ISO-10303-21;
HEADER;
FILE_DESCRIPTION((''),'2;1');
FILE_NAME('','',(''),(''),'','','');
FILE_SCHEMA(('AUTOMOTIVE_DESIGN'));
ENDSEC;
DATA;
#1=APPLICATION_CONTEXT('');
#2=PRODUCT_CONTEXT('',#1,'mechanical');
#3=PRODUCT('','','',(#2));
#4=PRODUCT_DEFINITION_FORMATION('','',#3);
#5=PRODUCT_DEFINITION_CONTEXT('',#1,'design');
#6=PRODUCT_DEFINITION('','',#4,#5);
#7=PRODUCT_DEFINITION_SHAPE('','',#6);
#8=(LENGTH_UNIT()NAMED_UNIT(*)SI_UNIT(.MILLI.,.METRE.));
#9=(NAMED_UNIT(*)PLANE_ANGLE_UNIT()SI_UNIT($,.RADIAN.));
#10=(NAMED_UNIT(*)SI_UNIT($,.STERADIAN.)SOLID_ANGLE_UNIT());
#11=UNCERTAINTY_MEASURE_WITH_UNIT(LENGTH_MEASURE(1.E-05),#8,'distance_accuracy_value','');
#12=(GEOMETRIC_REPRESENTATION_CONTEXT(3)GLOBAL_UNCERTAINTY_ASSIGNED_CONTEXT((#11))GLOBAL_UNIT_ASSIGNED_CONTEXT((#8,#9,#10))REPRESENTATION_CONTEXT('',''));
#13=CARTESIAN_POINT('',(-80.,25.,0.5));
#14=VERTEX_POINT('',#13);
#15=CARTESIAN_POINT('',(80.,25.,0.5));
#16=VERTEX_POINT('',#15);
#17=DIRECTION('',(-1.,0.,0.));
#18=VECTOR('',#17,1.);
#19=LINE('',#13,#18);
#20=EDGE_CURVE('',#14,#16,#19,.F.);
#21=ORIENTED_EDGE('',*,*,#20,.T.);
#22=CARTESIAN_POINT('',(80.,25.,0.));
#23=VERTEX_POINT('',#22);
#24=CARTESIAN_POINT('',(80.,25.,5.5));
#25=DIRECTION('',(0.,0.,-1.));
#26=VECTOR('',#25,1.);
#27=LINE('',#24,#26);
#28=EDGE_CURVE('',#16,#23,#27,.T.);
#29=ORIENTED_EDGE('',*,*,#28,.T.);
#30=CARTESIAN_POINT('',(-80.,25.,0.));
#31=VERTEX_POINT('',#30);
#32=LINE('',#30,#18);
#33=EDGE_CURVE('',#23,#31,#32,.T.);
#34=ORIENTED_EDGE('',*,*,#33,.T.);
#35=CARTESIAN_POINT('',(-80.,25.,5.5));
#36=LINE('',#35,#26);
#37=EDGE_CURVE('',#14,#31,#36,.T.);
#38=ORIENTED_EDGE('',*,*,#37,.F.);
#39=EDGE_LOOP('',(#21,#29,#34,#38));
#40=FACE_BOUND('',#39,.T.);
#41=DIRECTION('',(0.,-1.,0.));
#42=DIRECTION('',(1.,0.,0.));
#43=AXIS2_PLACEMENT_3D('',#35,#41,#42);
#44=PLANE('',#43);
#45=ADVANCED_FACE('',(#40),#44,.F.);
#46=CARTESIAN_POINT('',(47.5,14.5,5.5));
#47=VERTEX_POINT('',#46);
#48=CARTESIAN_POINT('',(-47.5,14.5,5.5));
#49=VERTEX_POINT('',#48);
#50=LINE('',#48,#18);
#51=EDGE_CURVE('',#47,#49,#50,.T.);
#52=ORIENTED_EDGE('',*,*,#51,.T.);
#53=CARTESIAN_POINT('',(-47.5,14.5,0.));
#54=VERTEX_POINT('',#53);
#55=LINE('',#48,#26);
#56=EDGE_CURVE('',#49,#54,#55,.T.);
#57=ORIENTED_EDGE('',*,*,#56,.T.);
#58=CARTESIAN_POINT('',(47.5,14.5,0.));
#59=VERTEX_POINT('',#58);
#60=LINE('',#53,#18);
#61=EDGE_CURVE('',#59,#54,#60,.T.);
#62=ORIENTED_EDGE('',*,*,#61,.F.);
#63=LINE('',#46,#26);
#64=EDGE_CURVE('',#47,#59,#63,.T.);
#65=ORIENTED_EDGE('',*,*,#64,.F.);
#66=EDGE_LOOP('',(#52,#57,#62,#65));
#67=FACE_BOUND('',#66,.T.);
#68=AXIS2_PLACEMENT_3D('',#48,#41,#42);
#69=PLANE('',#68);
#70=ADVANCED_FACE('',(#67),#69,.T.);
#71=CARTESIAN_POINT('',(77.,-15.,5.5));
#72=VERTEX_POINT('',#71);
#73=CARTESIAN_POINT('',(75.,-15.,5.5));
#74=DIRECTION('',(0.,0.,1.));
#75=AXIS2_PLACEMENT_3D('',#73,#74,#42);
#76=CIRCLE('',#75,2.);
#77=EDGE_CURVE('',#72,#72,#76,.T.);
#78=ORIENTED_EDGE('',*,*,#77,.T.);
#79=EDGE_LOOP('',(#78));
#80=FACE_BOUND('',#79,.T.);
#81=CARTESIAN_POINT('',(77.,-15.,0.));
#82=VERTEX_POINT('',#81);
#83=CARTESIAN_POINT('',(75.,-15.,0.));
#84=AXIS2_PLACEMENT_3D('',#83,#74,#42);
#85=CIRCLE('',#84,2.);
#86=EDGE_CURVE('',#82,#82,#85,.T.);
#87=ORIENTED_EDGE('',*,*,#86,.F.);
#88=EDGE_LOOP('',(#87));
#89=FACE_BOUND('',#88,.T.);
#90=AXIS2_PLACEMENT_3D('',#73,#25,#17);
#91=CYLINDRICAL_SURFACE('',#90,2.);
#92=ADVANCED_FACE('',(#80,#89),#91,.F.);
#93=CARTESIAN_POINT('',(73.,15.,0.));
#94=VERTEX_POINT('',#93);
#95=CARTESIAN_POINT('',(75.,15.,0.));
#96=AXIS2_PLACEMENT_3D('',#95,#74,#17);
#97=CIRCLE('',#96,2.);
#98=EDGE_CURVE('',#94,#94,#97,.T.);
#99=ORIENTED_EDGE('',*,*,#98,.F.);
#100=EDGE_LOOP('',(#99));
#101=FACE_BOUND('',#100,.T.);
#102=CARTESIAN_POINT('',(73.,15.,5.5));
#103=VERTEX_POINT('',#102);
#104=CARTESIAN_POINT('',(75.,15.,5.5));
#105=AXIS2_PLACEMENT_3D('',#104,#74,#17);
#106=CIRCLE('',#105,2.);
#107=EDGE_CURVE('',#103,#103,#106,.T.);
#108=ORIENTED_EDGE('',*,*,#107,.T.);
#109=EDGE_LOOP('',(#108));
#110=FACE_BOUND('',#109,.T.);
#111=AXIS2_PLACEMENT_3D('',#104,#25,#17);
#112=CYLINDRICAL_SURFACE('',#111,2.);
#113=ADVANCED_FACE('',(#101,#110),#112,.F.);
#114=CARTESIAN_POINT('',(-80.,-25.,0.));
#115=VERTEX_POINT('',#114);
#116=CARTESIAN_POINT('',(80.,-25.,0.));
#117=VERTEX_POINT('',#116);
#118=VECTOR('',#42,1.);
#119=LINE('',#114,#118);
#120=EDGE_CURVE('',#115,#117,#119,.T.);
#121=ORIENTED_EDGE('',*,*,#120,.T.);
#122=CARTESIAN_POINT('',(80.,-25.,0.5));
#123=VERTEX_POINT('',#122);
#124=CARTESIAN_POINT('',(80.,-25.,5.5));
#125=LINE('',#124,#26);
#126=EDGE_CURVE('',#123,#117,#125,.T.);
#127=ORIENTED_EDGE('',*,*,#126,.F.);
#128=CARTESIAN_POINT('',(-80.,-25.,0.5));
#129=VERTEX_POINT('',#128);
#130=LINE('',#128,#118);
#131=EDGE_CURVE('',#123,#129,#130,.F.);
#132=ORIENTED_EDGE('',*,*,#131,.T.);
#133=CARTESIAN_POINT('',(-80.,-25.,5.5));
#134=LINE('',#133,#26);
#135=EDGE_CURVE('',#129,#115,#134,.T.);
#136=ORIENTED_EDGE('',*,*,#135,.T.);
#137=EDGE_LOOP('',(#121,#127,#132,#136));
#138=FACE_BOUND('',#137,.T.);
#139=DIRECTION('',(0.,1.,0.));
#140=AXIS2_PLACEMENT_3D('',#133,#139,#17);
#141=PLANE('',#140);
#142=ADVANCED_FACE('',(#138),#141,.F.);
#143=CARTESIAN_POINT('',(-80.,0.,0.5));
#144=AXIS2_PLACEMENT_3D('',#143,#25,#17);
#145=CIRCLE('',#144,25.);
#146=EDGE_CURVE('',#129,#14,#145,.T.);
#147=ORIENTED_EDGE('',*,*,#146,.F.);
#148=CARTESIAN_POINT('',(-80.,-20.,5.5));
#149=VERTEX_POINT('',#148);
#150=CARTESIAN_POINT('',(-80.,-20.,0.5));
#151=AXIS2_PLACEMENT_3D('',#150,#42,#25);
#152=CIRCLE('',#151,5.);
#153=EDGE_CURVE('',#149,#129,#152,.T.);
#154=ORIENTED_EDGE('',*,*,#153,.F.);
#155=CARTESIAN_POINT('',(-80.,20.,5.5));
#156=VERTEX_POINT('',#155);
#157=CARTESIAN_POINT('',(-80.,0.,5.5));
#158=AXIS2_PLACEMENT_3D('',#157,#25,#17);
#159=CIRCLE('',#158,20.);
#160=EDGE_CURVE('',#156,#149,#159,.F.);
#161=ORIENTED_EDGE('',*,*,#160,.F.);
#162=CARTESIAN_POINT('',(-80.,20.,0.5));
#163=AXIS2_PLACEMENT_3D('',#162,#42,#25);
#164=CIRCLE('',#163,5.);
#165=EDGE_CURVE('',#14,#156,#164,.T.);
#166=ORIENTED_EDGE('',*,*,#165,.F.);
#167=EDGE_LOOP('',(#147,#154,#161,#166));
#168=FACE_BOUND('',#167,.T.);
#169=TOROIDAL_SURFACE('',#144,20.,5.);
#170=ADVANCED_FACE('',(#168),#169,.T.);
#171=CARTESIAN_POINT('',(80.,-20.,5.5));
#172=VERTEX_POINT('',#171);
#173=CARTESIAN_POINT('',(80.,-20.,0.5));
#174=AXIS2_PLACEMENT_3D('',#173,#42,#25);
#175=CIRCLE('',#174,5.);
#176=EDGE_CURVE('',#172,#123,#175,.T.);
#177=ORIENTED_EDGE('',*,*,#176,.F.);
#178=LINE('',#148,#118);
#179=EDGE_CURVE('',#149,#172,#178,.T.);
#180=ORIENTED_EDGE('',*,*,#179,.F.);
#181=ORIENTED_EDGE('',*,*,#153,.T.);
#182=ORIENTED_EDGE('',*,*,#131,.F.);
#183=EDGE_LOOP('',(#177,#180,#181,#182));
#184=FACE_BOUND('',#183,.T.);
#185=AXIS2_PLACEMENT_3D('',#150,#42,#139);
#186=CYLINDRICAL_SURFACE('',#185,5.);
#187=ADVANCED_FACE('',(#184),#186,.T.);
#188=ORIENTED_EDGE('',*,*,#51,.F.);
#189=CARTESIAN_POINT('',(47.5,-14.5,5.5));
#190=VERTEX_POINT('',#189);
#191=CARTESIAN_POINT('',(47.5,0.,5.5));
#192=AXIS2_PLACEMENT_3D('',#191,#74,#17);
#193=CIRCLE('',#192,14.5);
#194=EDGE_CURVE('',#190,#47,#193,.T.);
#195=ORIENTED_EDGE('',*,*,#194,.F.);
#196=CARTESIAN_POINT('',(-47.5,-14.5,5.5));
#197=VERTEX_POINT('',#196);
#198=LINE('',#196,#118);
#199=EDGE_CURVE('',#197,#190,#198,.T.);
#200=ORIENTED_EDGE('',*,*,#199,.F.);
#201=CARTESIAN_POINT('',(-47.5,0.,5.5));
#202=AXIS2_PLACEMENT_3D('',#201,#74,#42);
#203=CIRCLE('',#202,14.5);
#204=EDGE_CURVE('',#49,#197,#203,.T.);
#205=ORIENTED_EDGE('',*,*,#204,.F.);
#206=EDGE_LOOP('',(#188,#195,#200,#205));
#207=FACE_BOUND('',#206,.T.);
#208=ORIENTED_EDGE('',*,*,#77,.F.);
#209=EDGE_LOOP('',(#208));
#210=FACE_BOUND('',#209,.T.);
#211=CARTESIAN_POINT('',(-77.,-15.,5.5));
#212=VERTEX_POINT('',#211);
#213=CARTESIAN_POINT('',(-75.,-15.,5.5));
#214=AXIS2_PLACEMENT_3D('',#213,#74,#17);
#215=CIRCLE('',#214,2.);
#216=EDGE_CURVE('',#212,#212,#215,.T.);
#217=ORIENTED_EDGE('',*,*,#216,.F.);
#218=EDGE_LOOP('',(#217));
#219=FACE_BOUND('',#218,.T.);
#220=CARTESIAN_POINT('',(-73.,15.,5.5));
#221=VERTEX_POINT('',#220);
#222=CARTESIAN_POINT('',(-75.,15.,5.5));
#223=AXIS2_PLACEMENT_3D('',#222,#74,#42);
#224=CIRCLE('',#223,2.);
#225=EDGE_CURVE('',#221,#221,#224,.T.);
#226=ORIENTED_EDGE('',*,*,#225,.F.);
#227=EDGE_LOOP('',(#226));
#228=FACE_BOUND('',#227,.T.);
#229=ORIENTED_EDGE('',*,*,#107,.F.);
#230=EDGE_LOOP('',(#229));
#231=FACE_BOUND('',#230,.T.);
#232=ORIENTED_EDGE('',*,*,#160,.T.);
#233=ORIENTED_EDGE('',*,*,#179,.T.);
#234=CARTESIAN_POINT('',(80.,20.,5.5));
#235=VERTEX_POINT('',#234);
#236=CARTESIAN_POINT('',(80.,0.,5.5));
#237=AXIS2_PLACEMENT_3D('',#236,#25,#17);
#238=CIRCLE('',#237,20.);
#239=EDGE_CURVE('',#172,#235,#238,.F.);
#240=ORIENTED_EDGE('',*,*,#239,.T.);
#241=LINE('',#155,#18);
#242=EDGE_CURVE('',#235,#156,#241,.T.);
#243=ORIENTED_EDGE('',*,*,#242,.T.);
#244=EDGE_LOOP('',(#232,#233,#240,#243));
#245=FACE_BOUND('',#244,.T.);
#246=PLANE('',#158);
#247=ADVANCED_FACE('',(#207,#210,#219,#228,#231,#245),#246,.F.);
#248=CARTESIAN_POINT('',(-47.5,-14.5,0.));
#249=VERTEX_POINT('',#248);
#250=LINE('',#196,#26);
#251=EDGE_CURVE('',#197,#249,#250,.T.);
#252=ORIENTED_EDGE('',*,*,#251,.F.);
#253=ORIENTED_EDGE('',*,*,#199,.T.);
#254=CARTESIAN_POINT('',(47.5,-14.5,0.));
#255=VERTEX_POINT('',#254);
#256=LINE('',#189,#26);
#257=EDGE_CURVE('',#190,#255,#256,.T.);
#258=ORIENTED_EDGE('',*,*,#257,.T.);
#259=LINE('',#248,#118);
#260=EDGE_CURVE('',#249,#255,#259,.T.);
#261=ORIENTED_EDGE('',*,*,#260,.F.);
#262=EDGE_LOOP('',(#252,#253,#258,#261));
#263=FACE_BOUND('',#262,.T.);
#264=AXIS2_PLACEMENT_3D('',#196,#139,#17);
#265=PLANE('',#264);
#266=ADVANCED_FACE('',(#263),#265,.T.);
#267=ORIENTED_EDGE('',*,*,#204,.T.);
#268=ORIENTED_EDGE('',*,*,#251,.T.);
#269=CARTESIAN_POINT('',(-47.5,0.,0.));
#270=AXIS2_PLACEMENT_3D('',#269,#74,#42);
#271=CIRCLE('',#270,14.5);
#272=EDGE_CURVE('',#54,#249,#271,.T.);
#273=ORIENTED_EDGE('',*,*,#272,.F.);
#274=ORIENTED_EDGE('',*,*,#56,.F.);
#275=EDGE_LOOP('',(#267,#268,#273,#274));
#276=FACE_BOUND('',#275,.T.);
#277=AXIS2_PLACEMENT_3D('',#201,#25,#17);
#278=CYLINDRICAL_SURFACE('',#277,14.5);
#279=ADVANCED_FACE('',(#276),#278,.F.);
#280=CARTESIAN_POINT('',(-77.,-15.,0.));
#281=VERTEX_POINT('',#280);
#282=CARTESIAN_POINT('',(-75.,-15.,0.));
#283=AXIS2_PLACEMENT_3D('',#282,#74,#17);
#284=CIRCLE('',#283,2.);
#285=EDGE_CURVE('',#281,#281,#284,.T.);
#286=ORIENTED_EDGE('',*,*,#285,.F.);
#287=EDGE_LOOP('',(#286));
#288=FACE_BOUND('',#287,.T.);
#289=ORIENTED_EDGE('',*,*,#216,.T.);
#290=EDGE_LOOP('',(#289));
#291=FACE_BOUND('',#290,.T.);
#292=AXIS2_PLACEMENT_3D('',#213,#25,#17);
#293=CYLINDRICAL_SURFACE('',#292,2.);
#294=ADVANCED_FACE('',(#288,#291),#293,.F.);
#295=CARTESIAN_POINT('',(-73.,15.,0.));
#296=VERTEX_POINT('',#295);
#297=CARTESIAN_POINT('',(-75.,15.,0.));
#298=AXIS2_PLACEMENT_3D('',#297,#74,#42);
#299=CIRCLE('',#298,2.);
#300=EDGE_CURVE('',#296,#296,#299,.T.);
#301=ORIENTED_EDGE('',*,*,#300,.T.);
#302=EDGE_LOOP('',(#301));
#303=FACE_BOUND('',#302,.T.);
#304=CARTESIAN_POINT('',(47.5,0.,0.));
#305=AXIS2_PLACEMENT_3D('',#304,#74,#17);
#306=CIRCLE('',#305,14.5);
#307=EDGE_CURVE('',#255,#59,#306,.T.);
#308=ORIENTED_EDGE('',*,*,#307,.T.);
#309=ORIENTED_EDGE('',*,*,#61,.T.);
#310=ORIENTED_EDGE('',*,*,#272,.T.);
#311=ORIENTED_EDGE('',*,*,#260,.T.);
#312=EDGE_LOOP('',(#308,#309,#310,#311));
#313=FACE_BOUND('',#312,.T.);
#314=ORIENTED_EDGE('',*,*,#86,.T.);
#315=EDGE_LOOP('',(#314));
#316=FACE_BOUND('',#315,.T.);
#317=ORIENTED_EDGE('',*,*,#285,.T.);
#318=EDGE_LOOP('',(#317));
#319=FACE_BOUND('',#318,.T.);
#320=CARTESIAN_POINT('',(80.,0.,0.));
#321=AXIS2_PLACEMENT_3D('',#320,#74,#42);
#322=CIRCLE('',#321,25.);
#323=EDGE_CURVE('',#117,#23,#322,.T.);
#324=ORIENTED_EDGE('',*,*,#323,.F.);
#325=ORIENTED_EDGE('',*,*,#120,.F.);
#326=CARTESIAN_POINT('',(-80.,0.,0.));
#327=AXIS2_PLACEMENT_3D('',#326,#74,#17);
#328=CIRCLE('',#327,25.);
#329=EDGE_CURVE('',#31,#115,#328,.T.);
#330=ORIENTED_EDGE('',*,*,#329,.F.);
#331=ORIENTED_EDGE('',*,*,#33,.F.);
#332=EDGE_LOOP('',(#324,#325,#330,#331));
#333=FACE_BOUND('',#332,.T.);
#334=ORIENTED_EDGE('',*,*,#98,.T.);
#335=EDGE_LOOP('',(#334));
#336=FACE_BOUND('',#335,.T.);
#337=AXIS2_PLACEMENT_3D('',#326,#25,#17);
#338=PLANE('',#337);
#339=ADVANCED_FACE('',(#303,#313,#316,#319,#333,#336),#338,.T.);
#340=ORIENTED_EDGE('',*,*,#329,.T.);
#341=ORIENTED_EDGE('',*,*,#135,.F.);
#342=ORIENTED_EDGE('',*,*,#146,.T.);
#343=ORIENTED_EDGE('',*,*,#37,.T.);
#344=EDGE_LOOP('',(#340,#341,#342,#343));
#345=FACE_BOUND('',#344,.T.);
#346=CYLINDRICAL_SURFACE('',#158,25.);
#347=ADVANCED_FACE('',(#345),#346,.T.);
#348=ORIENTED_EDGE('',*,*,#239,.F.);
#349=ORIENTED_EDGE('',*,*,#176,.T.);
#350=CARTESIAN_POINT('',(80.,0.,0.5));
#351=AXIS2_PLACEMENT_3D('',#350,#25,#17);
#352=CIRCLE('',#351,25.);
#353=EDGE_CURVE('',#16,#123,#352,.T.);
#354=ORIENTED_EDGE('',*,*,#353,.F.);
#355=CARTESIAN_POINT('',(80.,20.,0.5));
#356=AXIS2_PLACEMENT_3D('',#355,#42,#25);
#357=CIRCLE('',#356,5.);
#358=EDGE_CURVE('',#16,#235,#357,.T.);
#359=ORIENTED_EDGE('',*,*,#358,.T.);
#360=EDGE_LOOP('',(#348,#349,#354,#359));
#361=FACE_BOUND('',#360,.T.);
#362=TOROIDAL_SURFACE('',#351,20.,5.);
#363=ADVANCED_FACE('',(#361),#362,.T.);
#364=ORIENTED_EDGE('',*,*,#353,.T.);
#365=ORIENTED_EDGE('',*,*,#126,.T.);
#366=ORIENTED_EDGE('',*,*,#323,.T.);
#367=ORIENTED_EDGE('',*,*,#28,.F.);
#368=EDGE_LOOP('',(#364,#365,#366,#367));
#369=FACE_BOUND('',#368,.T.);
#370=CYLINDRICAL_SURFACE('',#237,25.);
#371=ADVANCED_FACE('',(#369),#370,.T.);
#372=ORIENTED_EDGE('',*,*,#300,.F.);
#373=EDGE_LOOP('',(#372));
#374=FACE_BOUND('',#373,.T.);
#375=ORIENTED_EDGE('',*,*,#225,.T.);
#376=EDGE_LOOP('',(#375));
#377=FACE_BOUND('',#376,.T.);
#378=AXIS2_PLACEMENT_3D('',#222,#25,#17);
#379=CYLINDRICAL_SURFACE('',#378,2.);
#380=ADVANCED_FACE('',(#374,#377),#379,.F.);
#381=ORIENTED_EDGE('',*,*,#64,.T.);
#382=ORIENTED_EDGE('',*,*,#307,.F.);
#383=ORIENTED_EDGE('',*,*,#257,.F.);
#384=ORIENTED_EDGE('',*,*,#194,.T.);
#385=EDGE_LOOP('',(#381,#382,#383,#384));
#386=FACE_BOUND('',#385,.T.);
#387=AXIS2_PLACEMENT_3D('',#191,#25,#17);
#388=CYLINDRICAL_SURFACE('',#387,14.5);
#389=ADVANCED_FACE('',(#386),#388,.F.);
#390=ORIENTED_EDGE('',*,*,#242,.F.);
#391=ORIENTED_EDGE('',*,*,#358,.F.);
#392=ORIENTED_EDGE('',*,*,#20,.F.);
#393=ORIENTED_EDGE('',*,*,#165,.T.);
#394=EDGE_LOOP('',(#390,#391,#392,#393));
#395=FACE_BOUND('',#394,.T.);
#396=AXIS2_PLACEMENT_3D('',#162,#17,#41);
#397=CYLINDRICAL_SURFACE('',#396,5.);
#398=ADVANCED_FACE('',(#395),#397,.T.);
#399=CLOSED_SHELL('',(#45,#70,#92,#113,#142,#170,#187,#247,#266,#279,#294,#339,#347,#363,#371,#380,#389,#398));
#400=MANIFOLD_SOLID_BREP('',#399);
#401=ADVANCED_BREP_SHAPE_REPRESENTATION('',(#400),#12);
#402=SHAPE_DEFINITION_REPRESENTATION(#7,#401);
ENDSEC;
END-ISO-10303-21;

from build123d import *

# Parameters (mm, degrees)
SKETCH1_R           = 2
BOSS_EXTRUDE2_DEPTH = 5.5
FILLET1_R           = 5


with BuildPart() as part:
    # Sketch1 → Boss-Extrude2 (new body)
    with BuildSketch(Plane.XY):
        with BuildLine():
            Line((-80, -25), (80, -25))
            ThreePointArc((80, -25), (105, 0), (80, 25))
            Line((80, 25), (-80, 25))
            ThreePointArc((-80, 25), (-105, 0), (-80, -25))
        make_face()
        with Locations((-75, 15)):
            Circle(SKETCH1_R, mode=Mode.SUBTRACT)
        with Locations(Location((-75, -15, 0), (0, 0, 180))):
            Circle(SKETCH1_R, mode=Mode.SUBTRACT)
        with Locations((75, -15)):
            Circle(SKETCH1_R, mode=Mode.SUBTRACT)
        with Locations(Location((75, 15, 0), (0, 0, 180))):
            Circle(SKETCH1_R, mode=Mode.SUBTRACT)
        with BuildLine():
            Line((-47.5, 14.5), (47.5, 14.5))
            ThreePointArc((47.5, 14.5), (62, 0), (47.5, -14.5))
            Line((47.5, -14.5), (-47.5, -14.5))
            ThreePointArc((-47.5, -14.5), (-62, 0), (-47.5, 14.5))
        make_face(mode=Mode.SUBTRACT)
    extrude(amount=BOSS_EXTRUDE2_DEPTH)

    # Fillet1
    fillet1_edges = [part.edges().sort_by_distance(p)[0] for p in [
        (105, 0, 5.5),
        (0, 25, 5.5),
        (-105, 0, 5.5),
        (0, -25, 5.5),
    ]]
    fillet(fillet1_edges, radius=FILLET1_R)


solid = part.part
